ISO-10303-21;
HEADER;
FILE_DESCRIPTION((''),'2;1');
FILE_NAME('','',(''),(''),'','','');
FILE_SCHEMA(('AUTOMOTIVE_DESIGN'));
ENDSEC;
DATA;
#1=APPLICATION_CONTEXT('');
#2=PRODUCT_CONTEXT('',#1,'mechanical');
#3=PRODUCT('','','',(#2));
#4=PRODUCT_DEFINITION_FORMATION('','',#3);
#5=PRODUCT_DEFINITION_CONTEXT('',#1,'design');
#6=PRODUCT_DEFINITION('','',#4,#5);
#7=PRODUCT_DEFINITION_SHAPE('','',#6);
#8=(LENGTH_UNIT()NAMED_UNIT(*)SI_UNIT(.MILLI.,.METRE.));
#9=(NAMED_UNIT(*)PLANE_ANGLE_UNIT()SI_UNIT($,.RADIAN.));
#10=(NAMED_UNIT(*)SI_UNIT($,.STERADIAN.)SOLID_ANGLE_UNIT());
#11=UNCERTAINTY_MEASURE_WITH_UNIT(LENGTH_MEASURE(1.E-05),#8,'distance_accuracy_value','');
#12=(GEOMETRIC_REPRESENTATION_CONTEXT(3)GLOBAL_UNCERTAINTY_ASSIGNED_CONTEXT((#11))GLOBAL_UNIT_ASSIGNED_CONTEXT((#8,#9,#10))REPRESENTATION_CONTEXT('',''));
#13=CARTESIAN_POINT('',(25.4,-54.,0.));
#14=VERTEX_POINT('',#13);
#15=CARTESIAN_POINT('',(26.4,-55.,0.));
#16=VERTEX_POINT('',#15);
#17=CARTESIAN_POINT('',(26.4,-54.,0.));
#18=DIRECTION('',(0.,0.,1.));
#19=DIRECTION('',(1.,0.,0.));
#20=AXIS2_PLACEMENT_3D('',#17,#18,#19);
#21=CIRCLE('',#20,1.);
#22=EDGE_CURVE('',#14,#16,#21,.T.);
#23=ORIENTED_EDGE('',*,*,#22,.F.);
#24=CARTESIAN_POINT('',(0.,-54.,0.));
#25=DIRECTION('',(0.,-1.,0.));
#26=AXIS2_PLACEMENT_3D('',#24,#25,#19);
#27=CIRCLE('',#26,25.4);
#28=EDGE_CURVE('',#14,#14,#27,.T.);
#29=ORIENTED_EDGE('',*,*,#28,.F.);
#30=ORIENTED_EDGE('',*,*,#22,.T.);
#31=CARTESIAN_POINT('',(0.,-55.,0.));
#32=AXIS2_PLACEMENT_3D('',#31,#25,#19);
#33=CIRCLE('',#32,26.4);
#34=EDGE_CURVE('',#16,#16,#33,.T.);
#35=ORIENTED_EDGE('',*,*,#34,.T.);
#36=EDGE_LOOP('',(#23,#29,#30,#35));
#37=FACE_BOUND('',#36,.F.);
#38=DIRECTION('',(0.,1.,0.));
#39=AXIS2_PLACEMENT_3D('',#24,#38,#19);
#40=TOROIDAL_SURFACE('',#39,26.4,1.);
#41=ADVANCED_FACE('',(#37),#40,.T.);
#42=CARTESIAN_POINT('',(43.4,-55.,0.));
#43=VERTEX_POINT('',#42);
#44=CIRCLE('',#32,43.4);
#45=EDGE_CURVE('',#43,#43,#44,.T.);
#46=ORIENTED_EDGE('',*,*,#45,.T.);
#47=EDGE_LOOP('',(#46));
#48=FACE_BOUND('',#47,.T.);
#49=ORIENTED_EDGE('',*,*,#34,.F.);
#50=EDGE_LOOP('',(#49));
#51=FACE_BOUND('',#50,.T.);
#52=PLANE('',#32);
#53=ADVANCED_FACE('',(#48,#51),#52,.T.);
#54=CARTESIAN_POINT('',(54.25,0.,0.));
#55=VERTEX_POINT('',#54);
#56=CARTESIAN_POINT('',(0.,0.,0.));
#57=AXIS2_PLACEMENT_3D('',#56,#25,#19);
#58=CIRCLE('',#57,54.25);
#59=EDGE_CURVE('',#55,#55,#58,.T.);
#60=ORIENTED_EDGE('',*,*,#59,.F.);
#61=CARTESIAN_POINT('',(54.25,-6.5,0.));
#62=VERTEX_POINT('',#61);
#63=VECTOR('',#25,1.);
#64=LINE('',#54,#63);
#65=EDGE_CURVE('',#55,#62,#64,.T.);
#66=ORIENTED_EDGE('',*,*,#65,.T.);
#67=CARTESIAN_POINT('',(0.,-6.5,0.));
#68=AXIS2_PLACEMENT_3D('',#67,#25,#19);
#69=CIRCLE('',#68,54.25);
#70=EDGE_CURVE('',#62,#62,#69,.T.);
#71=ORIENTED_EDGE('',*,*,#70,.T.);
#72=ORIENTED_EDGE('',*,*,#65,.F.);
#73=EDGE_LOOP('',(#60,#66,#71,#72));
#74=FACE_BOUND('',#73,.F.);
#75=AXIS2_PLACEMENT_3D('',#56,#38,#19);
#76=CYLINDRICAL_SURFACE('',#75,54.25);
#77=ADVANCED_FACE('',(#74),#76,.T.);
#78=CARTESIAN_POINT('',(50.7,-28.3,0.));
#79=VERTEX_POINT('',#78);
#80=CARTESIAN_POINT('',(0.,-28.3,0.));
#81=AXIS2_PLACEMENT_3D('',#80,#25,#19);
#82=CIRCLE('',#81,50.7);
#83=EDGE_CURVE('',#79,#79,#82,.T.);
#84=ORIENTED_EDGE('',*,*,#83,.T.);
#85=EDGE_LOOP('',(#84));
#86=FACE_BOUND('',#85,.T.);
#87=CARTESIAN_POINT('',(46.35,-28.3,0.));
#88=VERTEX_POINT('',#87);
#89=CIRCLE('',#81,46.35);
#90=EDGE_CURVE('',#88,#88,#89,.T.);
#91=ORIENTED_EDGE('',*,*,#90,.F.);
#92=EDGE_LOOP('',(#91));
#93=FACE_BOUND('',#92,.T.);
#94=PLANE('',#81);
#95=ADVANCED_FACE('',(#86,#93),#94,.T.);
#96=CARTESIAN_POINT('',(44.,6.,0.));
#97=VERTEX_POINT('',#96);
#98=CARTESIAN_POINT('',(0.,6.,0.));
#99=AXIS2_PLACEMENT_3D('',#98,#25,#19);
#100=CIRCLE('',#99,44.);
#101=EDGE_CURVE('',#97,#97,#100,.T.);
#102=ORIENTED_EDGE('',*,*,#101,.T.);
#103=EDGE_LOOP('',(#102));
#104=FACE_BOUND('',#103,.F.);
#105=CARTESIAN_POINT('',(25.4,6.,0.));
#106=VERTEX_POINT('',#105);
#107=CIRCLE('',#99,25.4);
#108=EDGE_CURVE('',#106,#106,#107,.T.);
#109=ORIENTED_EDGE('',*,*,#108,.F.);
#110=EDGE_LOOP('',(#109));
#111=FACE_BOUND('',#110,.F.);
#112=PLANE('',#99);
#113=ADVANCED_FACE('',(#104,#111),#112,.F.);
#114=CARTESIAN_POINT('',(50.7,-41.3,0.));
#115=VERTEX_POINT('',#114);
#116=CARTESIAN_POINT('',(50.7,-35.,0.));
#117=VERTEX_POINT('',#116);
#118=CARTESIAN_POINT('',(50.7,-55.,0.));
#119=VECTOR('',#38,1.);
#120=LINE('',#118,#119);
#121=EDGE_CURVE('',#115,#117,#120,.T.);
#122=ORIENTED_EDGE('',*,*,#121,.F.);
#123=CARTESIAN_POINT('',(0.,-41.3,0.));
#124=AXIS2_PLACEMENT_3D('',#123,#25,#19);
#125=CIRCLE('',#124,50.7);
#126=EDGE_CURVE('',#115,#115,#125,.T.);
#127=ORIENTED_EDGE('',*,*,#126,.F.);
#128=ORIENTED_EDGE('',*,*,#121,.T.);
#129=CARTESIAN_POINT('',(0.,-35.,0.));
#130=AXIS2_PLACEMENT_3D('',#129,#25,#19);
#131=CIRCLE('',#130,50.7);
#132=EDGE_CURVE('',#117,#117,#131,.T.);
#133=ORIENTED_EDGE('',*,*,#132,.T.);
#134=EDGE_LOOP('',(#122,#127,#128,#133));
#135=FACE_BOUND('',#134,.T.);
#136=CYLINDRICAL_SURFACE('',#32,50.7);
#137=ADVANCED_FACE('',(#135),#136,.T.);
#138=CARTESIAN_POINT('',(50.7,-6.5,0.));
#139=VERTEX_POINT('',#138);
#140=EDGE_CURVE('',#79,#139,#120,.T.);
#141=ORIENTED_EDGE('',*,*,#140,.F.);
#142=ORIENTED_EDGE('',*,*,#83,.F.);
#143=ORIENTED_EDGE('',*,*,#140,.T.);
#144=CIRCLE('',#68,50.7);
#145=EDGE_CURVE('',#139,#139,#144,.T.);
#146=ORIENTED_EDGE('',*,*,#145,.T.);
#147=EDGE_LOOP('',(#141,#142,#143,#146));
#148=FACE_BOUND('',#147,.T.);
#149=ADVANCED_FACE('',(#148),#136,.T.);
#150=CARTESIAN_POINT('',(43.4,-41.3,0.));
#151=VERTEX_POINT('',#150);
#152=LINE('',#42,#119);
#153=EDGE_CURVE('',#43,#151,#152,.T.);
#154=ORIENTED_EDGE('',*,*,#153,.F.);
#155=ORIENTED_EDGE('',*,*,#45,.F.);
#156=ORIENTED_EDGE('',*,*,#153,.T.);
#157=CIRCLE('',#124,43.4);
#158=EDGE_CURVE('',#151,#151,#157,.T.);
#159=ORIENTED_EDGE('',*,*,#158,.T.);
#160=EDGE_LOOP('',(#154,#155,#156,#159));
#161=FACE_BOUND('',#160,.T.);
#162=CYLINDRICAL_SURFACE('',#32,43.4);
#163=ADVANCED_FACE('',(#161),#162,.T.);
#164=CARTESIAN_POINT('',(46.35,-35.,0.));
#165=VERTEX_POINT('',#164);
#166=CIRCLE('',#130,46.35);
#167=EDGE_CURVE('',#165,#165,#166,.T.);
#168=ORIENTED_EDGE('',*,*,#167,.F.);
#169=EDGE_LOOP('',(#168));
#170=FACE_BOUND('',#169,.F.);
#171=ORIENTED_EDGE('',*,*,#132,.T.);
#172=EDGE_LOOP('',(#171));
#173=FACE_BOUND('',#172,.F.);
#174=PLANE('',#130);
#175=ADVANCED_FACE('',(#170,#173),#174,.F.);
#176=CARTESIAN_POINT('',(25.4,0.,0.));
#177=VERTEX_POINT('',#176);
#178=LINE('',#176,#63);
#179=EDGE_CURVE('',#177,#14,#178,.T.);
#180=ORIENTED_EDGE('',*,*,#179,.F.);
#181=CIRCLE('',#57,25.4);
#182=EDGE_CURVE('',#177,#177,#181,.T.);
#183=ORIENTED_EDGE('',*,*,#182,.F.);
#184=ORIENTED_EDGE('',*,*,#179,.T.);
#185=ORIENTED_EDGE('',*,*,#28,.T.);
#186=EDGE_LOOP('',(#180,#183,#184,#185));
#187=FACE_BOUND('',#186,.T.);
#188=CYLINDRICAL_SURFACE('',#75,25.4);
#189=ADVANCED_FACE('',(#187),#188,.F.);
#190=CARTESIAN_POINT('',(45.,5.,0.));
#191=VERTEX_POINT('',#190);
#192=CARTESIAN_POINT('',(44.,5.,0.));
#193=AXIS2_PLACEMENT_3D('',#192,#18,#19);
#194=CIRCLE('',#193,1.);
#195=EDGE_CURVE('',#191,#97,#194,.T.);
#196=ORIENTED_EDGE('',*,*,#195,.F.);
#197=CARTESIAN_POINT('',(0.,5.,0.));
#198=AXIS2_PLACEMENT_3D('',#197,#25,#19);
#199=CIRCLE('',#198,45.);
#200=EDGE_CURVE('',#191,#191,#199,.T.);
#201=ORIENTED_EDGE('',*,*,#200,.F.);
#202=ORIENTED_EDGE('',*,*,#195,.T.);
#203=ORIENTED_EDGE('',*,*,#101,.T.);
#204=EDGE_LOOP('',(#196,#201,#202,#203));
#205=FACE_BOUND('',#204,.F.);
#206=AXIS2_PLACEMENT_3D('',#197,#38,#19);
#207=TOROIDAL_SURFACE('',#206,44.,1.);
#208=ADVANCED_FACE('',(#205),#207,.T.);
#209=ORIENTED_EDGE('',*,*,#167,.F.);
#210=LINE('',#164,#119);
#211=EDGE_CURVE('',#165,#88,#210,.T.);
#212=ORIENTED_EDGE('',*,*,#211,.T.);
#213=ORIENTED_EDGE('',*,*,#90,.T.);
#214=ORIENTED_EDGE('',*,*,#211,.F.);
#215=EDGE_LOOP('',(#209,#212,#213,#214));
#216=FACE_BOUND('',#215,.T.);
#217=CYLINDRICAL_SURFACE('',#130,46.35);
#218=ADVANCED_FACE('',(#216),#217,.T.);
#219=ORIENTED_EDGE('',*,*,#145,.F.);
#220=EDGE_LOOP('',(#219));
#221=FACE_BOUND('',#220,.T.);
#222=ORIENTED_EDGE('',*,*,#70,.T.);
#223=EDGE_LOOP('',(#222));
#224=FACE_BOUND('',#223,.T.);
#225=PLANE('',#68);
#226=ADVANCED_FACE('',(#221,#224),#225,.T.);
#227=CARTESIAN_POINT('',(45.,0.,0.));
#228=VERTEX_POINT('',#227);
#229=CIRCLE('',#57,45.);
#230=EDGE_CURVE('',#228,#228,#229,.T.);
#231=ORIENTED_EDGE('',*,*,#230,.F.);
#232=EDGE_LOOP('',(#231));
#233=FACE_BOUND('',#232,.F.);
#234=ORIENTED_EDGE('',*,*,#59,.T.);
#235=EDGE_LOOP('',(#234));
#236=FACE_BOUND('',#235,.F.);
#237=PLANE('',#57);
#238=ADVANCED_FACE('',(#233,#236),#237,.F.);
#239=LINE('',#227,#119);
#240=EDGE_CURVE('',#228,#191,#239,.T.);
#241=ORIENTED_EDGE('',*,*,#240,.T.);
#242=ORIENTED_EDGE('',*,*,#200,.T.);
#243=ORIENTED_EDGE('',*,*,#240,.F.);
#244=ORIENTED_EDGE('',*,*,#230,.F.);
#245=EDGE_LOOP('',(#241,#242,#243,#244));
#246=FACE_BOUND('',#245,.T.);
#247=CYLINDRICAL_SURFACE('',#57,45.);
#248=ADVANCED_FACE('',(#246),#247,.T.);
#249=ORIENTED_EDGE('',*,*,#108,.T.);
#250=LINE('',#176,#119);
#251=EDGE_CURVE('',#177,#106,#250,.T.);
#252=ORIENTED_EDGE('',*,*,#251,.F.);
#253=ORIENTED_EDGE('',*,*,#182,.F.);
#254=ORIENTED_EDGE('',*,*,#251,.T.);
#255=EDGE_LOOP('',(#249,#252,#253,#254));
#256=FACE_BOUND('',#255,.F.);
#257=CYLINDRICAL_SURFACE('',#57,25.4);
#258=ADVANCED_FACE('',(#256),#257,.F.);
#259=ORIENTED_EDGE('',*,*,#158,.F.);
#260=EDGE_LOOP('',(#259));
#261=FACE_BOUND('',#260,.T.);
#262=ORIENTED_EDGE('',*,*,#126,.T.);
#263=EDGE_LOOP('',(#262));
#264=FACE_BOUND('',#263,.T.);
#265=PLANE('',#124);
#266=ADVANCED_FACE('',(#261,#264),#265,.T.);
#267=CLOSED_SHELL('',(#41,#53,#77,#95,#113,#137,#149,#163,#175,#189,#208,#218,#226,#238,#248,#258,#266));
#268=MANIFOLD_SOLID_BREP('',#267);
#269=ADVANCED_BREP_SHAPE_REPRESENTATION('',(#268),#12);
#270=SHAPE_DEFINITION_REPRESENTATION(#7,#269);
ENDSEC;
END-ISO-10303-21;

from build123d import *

# Parameters (mm, degrees)
F0_R      = 54.25
F0_R_2    = 25.4
F1_DEPTH  = 55
F3_START  = -20
F2_R      = 54.25
F2_R_2    = 46.35
F3_DEPTH  = 6.7
F4_R      = 54.25
F4_R_2    = 50.7
F5_DEPTH  = 48.5
F6_R      = 50.7
F6_R_2    = 43.4
F7_DEPTH  = 13.7
F8_R      = 1
F9_R      = 45
F9_R_2    = 25.4
F10_DEPTH = 6
F11_R     = 1


with BuildPart() as f1:
    # F0 (on Front) → F1 (new body)
    with BuildSketch(Plane.XZ):
        Circle(F0_R)
        Circle(F0_R_2, mode=Mode.SUBTRACT)
    extrude(amount=F1_DEPTH)

    # F2 (on face) → F3 (cut)
    with BuildSketch(Plane.XZ.offset(55).offset(F3_START)):
        Circle(F2_R)
        Circle(F2_R_2, mode=Mode.SUBTRACT)
    extrude(amount=-F3_DEPTH, mode=Mode.SUBTRACT)

    # F4 (on face) → F5 (cut)
    with BuildSketch(Plane.XZ.offset(55)):
        Circle(F4_R)
        Circle(F4_R_2, mode=Mode.SUBTRACT)
    extrude(amount=-F5_DEPTH, mode=Mode.SUBTRACT)

    # F6 (on face) → F7 (cut)
    with BuildSketch(Plane.XZ.offset(55)):
        Circle(F6_R)
        Circle(F6_R_2, mode=Mode.SUBTRACT)
    extrude(amount=-F7_DEPTH, mode=Mode.SUBTRACT)

    # F8
    f8_edges = [f1.edges().sort_by_distance(p)[0] for p in [
        (-25.4, -55, 0),
    ]]
    fillet(f8_edges, radius=F8_R)

    # F9 (on Front) → F10 (join)
    with BuildSketch(Plane.XZ):
        Circle(F9_R)
        Circle(F9_R_2, mode=Mode.SUBTRACT)
    extrude(amount=-F10_DEPTH)

    # F11
    f11_edges = [f1.edges().sort_by_distance(p)[0] for p in [
        (-45, 6, 0),
    ]]
    fillet(f11_edges, radius=F11_R)


solid = f1.part
